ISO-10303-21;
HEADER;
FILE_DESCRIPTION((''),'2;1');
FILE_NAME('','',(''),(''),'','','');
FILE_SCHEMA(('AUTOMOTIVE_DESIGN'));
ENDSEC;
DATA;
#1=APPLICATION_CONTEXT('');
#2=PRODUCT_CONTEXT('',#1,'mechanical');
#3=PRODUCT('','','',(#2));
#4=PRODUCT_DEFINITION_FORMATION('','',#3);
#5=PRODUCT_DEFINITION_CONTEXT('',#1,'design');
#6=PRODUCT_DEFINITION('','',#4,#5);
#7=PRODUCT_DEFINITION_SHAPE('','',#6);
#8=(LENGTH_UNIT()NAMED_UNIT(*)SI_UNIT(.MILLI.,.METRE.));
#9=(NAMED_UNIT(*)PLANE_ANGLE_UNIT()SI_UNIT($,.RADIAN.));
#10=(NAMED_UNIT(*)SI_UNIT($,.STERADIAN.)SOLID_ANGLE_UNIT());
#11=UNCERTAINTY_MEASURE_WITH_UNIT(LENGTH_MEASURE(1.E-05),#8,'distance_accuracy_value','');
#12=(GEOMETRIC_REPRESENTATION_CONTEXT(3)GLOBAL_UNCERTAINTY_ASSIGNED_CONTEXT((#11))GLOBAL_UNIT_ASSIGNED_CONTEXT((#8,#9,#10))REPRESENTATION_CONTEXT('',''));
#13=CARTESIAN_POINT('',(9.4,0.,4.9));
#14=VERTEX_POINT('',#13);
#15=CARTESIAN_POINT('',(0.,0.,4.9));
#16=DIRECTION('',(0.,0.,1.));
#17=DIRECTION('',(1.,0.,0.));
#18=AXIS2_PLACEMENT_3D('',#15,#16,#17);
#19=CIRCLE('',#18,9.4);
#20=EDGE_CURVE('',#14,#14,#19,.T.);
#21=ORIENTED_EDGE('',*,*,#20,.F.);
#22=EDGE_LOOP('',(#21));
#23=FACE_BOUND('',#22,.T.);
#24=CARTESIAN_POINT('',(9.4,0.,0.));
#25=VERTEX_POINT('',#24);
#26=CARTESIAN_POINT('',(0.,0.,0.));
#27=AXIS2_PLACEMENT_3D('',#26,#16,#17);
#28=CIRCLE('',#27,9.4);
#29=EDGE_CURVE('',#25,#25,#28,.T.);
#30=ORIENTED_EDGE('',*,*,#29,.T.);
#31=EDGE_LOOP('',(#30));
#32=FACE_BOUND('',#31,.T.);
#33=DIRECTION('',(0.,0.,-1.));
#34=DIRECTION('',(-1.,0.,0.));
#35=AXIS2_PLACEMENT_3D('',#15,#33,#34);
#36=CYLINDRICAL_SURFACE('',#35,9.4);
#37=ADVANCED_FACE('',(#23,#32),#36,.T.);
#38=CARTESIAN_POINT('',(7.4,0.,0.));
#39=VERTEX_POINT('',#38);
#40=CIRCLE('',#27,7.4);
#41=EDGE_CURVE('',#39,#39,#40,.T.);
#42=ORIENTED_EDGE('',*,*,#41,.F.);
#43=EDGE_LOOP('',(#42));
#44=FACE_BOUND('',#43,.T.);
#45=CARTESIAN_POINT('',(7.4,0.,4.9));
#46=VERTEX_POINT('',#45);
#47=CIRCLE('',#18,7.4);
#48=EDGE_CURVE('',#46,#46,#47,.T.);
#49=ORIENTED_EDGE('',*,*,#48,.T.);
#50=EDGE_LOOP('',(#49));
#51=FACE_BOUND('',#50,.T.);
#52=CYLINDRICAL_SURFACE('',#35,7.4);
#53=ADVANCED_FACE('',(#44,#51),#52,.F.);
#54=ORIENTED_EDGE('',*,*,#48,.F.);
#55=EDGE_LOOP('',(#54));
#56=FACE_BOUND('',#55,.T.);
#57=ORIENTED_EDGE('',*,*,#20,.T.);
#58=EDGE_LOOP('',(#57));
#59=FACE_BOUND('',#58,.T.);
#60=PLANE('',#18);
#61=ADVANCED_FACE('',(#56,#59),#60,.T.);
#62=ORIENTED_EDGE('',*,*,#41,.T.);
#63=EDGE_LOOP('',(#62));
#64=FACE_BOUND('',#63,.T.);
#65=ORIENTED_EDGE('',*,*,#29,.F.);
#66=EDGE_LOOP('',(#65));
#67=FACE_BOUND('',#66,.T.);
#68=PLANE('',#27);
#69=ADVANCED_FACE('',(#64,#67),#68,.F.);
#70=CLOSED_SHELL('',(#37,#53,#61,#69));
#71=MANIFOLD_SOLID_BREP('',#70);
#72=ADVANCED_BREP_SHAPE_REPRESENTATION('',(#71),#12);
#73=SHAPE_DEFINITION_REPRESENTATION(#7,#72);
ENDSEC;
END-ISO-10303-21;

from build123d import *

# Parameters (mm, degrees)
SKETCH_1_R      = 9.4
SKETCH_1_R_2    = 7.4
EXTRUDE_1_DEPTH = 4.9


with BuildPart() as part:
    # 草图1 → 拉伸-薄壁1 (new body)
    with BuildSketch(Plane.XY):
        Circle(SKETCH_1_R)
        Circle(SKETCH_1_R_2, mode=Mode.SUBTRACT)
    extrude(amount=EXTRUDE_1_DEPTH)


solid = part.part
